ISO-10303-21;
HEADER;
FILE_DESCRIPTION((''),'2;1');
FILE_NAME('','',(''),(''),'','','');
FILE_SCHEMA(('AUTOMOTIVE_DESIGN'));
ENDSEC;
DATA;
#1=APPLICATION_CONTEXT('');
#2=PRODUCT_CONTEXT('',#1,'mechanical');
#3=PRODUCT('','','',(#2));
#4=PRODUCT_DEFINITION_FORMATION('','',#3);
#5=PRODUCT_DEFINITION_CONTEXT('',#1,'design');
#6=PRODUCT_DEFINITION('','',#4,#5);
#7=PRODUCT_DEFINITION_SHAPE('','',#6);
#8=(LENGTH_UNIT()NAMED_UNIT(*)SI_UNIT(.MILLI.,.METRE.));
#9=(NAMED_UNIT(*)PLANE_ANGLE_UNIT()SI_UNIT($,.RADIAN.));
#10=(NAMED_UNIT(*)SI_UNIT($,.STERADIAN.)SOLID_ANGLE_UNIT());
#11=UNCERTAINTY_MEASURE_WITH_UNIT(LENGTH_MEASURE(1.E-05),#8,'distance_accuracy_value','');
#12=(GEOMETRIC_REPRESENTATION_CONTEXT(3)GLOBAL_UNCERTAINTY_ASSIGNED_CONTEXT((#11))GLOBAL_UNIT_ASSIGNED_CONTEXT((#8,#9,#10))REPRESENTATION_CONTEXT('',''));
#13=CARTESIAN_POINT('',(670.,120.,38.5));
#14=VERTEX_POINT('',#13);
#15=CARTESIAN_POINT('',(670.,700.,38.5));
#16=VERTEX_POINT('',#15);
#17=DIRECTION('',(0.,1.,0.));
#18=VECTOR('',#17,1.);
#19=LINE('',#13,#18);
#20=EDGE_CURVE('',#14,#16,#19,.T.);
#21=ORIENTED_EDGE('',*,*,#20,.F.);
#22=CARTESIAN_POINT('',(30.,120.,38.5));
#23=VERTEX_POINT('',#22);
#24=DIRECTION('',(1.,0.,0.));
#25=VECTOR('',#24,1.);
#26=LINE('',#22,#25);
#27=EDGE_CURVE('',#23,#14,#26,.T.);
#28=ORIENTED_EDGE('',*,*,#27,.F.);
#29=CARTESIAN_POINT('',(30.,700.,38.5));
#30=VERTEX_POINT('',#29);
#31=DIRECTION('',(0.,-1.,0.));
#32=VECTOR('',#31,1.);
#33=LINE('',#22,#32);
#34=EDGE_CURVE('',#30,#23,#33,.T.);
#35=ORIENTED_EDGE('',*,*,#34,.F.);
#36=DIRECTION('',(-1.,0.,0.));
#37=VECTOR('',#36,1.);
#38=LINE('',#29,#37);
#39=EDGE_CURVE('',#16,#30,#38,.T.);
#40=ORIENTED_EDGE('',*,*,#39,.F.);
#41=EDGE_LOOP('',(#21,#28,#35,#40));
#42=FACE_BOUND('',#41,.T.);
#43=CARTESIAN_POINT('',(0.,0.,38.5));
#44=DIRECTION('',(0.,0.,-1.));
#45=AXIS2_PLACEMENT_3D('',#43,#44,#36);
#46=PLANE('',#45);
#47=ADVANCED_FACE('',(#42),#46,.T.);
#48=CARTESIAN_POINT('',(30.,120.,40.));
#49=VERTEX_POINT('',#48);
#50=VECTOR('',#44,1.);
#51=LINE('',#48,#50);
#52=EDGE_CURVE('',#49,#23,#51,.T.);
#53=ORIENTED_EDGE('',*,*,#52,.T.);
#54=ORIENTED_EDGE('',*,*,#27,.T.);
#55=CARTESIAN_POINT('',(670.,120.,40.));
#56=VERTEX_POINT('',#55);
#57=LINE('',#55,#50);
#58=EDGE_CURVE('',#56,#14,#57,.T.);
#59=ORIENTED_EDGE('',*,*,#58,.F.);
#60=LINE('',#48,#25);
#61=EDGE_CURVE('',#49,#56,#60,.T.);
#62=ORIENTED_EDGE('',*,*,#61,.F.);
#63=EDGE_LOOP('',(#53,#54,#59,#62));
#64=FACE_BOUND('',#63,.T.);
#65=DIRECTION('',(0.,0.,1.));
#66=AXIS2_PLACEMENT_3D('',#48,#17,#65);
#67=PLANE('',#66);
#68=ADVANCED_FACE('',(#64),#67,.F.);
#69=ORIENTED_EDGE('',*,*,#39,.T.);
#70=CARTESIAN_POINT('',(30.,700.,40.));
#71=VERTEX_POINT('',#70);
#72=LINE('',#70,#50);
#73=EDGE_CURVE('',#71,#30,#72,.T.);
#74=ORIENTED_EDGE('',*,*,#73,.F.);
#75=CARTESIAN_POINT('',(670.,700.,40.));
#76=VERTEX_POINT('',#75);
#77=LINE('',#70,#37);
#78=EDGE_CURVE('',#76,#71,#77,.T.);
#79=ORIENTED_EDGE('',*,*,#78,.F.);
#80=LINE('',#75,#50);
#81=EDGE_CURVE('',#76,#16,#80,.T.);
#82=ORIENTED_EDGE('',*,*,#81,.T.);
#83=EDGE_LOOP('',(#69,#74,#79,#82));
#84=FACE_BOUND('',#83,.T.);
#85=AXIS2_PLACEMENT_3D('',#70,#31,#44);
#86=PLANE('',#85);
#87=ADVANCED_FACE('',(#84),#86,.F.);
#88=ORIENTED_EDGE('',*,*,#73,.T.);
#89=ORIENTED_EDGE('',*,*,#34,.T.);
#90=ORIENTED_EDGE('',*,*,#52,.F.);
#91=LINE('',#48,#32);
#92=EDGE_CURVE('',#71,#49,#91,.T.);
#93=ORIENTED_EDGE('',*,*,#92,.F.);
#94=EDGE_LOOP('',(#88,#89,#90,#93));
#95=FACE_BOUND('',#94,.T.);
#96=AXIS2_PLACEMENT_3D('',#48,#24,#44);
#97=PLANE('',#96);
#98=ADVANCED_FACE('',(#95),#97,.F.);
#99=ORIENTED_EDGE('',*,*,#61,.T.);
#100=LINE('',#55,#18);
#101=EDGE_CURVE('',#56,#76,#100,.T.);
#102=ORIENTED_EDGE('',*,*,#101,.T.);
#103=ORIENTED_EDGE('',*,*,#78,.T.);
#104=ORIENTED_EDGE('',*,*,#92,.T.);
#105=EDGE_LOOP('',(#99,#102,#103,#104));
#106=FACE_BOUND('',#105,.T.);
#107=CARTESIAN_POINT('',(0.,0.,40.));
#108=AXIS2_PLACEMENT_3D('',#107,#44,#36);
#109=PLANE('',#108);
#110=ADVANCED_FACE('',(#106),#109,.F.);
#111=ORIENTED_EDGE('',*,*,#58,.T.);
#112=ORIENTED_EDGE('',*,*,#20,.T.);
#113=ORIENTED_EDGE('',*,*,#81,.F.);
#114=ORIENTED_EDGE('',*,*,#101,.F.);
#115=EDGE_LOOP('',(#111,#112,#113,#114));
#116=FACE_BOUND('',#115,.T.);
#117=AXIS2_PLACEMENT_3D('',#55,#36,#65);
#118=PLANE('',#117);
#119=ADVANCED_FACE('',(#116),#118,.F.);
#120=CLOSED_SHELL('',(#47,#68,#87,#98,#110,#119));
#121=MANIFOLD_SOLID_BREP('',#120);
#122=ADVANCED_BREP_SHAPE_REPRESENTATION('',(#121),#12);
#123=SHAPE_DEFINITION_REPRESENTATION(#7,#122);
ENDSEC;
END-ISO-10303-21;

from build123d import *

# Parameters (mm, degrees)
PRESS_PANEL_ALT_1_START = 38.5
SKETCH1_W               = 640
SKETCH1_H               = 580
PRESS_PANEL_ALT_1_DEPTH = 1.5


with BuildPart() as part:
    # Sketch1 → PRESS_panel_alt_1 (new body)
    with BuildSketch(Plane.XY.offset(PRESS_PANEL_ALT_1_START)):
        with Locations((350, 410)):
            Rectangle(SKETCH1_W, SKETCH1_H)
    extrude(amount=PRESS_PANEL_ALT_1_DEPTH)


solid = part.part
